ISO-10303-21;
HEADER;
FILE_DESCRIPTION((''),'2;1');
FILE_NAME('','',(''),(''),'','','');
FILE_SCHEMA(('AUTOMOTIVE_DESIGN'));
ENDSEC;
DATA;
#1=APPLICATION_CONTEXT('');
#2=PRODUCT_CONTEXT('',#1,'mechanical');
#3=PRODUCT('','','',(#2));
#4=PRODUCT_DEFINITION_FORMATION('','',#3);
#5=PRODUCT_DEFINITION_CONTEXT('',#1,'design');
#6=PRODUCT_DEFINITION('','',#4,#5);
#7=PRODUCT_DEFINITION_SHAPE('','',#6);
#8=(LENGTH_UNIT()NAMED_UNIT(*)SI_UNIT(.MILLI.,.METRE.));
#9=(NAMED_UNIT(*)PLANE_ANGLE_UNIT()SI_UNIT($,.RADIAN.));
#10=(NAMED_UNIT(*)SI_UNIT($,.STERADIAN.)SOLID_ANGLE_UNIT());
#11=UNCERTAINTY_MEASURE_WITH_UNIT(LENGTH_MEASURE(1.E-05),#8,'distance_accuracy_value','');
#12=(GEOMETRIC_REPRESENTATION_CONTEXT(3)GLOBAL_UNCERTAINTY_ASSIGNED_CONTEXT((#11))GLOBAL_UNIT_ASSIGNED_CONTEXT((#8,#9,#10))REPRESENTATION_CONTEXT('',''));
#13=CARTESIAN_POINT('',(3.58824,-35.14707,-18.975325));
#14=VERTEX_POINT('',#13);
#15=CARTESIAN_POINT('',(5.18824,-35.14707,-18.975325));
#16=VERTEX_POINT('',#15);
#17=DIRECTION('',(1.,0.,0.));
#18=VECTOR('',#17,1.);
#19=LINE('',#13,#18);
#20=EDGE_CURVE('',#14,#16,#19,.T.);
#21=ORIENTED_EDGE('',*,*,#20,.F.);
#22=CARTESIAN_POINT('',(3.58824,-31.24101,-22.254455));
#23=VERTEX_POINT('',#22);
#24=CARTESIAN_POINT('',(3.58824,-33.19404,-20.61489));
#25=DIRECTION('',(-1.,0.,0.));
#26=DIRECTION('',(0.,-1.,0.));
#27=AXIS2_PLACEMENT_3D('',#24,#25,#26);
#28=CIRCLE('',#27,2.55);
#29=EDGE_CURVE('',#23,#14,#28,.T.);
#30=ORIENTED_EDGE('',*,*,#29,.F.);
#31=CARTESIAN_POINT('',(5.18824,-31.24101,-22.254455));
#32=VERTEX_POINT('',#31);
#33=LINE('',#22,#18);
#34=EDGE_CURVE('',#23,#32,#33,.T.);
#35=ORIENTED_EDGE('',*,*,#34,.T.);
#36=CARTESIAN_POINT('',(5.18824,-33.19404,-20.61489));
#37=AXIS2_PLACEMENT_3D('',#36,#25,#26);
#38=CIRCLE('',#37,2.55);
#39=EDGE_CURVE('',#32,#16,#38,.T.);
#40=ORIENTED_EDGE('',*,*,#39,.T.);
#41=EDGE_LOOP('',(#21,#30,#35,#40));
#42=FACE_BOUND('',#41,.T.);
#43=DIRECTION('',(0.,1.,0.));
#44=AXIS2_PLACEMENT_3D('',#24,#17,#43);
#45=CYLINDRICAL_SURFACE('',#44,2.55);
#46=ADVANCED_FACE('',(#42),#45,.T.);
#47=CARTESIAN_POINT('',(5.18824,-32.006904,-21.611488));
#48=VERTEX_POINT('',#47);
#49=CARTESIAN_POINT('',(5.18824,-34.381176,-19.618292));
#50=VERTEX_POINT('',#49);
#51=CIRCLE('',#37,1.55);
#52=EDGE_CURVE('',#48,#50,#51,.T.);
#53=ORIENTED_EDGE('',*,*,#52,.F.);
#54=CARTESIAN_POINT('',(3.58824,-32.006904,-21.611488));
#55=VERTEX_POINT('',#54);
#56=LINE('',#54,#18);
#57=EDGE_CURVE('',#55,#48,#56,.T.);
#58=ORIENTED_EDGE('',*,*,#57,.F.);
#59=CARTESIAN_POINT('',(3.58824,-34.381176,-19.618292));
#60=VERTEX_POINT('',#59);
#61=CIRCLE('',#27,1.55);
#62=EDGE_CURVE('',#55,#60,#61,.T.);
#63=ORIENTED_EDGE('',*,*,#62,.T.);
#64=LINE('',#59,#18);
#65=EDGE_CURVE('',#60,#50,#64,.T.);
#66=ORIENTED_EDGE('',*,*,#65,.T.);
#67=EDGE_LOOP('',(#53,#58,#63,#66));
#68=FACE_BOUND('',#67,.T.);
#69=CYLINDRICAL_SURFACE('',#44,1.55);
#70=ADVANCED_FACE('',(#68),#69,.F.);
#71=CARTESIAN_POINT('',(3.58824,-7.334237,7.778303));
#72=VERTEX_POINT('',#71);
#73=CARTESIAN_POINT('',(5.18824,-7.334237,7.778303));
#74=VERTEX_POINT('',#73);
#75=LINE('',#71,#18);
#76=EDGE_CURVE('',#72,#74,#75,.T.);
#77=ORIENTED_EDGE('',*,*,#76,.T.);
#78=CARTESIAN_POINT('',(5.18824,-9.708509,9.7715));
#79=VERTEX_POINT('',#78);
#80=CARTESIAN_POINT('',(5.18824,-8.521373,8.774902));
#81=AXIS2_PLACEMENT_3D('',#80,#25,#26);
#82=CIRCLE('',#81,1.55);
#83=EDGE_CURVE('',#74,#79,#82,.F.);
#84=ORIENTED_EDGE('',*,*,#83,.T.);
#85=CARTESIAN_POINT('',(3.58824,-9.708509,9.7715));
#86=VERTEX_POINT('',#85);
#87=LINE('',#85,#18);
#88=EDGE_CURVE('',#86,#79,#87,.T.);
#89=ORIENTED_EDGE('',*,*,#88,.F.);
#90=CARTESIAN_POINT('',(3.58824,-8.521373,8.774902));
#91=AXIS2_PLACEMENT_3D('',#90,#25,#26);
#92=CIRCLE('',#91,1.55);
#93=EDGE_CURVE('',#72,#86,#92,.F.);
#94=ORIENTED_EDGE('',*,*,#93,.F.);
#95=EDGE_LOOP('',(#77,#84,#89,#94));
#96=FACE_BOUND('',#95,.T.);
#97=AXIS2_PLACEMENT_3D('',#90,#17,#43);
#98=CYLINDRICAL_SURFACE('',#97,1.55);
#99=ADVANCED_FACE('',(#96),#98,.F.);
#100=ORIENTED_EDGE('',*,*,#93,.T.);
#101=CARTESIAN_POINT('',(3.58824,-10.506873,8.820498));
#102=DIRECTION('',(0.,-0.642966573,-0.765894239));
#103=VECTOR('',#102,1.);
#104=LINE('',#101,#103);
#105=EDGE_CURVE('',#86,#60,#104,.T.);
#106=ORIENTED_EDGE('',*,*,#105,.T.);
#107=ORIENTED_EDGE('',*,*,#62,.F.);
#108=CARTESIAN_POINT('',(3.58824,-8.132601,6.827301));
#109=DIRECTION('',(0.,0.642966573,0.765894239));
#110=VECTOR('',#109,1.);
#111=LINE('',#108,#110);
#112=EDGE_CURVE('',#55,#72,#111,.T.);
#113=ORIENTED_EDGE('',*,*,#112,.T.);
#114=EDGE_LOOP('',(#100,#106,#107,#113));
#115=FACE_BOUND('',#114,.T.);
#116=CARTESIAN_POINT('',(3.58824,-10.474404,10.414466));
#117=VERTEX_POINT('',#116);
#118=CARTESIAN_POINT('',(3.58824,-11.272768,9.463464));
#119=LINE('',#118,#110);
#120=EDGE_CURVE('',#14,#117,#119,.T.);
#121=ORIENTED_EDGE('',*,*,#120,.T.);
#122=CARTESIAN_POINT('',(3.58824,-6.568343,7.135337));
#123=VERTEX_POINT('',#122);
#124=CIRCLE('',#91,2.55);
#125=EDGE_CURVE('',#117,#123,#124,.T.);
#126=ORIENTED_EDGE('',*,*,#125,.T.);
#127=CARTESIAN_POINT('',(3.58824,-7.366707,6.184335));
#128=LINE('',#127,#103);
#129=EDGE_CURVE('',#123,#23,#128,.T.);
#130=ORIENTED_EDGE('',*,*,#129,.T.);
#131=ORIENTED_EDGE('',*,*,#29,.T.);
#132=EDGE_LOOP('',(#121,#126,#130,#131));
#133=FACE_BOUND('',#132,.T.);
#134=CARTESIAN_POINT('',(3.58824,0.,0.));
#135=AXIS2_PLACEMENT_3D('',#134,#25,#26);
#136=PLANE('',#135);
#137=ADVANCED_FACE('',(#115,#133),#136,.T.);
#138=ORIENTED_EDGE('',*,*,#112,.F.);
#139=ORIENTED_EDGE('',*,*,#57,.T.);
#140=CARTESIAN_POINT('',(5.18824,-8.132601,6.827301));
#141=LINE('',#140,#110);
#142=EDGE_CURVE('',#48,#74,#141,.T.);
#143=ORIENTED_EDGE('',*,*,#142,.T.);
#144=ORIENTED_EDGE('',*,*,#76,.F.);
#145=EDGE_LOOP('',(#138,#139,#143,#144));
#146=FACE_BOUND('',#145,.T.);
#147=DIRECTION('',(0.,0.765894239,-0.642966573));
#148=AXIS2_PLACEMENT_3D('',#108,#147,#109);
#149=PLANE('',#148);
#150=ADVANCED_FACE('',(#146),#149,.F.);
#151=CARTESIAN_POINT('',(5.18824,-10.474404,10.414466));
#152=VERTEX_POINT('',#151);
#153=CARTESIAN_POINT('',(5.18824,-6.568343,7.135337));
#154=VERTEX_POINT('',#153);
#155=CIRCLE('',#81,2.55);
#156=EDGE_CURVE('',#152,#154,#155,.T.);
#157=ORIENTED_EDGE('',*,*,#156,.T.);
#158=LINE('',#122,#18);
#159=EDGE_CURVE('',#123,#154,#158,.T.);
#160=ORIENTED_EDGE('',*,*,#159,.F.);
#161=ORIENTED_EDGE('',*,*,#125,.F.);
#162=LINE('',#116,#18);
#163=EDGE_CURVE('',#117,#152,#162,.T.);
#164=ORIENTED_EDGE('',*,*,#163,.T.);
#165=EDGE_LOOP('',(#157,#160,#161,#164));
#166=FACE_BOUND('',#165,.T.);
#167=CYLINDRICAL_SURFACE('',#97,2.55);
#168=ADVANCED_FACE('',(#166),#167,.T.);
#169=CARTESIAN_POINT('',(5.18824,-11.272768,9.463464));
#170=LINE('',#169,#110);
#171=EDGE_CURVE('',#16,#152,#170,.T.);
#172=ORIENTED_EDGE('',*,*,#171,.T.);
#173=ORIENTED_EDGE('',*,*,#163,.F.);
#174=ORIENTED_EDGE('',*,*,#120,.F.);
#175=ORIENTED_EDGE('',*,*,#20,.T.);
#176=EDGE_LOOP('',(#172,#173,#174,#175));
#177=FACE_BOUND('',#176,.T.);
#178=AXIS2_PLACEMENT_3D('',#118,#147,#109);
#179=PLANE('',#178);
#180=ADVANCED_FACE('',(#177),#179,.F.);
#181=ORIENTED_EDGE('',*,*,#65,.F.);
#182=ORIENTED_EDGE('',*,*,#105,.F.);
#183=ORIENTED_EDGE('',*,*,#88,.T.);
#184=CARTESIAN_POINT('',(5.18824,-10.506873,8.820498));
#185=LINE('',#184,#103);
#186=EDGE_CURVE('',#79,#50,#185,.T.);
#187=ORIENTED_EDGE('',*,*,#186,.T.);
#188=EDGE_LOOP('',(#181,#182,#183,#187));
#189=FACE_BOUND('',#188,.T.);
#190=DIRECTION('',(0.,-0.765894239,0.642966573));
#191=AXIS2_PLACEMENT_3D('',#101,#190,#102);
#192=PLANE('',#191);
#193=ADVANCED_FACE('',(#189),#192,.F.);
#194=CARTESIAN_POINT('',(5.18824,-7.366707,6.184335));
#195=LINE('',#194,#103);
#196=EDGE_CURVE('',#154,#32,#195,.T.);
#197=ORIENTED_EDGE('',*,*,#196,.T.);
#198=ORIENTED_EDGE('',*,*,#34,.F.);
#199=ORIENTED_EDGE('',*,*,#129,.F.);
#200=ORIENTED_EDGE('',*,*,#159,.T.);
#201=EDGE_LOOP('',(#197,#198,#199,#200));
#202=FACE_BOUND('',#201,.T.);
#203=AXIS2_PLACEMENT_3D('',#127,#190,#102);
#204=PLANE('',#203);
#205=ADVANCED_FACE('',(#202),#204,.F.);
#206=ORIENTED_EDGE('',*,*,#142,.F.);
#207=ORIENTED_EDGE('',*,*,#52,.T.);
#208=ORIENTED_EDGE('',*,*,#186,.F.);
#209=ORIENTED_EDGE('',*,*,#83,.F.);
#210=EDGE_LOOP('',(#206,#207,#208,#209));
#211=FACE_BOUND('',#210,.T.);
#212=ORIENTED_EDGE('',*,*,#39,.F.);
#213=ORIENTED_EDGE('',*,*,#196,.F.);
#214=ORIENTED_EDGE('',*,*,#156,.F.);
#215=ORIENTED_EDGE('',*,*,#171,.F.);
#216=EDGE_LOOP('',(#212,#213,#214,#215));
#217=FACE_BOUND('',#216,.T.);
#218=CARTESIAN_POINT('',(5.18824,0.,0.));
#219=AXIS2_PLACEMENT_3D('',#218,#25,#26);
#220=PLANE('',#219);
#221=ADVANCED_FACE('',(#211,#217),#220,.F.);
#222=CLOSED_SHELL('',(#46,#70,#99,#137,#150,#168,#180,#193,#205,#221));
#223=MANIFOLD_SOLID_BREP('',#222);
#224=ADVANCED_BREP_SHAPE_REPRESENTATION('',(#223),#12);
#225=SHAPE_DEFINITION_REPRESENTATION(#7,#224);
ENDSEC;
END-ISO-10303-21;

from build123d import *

# Parameters (mm, degrees)
BOSS_EXTRUDE1_DEPTH = 1.6


with BuildPart() as part:
    # Sketch1 → Boss-Extrude1 (new body)
    with BuildSketch(Plane.ZY.offset(-5.18823967)):
        with BuildLine():
            ThreePointArc((10.414466289, -10.474403582), (10.727931837, -6.88180851), (7.135336765, -6.568342962))
            Line((7.135336765, -6.568342962), (-22.254454563, -31.241009834))
            ThreePointArc((-22.254454563, -31.241009834), (-22.567920111, -34.833604906), (-18.975325039, -35.147070454))
            Line((-18.975325039, -35.147070454), (10.414466289, -10.474403582))
        make_face()
        with BuildLine():
            ThreePointArc((10.324901527, -8.521373272), (10.179755112, -9.176267465), (9.771499716, -9.708509343))
            Line((9.771499716, -9.708509343), (-19.618291612, -34.381176215))
            ThreePointArc((-19.618291612, -34.381176215), (-21.802025871, -34.190638333), (-21.611487989, -32.006904073))
            Line((-21.611487989, -32.006904073), (7.778303338, -7.334237201))
            ThreePointArc((7.778303338, -7.334237201), (9.42979572, -7.116519687), (10.324901527, -8.521373272))
        make_face(mode=Mode.SUBTRACT)
    extrude(amount=BOSS_EXTRUDE1_DEPTH)


solid = part.part
